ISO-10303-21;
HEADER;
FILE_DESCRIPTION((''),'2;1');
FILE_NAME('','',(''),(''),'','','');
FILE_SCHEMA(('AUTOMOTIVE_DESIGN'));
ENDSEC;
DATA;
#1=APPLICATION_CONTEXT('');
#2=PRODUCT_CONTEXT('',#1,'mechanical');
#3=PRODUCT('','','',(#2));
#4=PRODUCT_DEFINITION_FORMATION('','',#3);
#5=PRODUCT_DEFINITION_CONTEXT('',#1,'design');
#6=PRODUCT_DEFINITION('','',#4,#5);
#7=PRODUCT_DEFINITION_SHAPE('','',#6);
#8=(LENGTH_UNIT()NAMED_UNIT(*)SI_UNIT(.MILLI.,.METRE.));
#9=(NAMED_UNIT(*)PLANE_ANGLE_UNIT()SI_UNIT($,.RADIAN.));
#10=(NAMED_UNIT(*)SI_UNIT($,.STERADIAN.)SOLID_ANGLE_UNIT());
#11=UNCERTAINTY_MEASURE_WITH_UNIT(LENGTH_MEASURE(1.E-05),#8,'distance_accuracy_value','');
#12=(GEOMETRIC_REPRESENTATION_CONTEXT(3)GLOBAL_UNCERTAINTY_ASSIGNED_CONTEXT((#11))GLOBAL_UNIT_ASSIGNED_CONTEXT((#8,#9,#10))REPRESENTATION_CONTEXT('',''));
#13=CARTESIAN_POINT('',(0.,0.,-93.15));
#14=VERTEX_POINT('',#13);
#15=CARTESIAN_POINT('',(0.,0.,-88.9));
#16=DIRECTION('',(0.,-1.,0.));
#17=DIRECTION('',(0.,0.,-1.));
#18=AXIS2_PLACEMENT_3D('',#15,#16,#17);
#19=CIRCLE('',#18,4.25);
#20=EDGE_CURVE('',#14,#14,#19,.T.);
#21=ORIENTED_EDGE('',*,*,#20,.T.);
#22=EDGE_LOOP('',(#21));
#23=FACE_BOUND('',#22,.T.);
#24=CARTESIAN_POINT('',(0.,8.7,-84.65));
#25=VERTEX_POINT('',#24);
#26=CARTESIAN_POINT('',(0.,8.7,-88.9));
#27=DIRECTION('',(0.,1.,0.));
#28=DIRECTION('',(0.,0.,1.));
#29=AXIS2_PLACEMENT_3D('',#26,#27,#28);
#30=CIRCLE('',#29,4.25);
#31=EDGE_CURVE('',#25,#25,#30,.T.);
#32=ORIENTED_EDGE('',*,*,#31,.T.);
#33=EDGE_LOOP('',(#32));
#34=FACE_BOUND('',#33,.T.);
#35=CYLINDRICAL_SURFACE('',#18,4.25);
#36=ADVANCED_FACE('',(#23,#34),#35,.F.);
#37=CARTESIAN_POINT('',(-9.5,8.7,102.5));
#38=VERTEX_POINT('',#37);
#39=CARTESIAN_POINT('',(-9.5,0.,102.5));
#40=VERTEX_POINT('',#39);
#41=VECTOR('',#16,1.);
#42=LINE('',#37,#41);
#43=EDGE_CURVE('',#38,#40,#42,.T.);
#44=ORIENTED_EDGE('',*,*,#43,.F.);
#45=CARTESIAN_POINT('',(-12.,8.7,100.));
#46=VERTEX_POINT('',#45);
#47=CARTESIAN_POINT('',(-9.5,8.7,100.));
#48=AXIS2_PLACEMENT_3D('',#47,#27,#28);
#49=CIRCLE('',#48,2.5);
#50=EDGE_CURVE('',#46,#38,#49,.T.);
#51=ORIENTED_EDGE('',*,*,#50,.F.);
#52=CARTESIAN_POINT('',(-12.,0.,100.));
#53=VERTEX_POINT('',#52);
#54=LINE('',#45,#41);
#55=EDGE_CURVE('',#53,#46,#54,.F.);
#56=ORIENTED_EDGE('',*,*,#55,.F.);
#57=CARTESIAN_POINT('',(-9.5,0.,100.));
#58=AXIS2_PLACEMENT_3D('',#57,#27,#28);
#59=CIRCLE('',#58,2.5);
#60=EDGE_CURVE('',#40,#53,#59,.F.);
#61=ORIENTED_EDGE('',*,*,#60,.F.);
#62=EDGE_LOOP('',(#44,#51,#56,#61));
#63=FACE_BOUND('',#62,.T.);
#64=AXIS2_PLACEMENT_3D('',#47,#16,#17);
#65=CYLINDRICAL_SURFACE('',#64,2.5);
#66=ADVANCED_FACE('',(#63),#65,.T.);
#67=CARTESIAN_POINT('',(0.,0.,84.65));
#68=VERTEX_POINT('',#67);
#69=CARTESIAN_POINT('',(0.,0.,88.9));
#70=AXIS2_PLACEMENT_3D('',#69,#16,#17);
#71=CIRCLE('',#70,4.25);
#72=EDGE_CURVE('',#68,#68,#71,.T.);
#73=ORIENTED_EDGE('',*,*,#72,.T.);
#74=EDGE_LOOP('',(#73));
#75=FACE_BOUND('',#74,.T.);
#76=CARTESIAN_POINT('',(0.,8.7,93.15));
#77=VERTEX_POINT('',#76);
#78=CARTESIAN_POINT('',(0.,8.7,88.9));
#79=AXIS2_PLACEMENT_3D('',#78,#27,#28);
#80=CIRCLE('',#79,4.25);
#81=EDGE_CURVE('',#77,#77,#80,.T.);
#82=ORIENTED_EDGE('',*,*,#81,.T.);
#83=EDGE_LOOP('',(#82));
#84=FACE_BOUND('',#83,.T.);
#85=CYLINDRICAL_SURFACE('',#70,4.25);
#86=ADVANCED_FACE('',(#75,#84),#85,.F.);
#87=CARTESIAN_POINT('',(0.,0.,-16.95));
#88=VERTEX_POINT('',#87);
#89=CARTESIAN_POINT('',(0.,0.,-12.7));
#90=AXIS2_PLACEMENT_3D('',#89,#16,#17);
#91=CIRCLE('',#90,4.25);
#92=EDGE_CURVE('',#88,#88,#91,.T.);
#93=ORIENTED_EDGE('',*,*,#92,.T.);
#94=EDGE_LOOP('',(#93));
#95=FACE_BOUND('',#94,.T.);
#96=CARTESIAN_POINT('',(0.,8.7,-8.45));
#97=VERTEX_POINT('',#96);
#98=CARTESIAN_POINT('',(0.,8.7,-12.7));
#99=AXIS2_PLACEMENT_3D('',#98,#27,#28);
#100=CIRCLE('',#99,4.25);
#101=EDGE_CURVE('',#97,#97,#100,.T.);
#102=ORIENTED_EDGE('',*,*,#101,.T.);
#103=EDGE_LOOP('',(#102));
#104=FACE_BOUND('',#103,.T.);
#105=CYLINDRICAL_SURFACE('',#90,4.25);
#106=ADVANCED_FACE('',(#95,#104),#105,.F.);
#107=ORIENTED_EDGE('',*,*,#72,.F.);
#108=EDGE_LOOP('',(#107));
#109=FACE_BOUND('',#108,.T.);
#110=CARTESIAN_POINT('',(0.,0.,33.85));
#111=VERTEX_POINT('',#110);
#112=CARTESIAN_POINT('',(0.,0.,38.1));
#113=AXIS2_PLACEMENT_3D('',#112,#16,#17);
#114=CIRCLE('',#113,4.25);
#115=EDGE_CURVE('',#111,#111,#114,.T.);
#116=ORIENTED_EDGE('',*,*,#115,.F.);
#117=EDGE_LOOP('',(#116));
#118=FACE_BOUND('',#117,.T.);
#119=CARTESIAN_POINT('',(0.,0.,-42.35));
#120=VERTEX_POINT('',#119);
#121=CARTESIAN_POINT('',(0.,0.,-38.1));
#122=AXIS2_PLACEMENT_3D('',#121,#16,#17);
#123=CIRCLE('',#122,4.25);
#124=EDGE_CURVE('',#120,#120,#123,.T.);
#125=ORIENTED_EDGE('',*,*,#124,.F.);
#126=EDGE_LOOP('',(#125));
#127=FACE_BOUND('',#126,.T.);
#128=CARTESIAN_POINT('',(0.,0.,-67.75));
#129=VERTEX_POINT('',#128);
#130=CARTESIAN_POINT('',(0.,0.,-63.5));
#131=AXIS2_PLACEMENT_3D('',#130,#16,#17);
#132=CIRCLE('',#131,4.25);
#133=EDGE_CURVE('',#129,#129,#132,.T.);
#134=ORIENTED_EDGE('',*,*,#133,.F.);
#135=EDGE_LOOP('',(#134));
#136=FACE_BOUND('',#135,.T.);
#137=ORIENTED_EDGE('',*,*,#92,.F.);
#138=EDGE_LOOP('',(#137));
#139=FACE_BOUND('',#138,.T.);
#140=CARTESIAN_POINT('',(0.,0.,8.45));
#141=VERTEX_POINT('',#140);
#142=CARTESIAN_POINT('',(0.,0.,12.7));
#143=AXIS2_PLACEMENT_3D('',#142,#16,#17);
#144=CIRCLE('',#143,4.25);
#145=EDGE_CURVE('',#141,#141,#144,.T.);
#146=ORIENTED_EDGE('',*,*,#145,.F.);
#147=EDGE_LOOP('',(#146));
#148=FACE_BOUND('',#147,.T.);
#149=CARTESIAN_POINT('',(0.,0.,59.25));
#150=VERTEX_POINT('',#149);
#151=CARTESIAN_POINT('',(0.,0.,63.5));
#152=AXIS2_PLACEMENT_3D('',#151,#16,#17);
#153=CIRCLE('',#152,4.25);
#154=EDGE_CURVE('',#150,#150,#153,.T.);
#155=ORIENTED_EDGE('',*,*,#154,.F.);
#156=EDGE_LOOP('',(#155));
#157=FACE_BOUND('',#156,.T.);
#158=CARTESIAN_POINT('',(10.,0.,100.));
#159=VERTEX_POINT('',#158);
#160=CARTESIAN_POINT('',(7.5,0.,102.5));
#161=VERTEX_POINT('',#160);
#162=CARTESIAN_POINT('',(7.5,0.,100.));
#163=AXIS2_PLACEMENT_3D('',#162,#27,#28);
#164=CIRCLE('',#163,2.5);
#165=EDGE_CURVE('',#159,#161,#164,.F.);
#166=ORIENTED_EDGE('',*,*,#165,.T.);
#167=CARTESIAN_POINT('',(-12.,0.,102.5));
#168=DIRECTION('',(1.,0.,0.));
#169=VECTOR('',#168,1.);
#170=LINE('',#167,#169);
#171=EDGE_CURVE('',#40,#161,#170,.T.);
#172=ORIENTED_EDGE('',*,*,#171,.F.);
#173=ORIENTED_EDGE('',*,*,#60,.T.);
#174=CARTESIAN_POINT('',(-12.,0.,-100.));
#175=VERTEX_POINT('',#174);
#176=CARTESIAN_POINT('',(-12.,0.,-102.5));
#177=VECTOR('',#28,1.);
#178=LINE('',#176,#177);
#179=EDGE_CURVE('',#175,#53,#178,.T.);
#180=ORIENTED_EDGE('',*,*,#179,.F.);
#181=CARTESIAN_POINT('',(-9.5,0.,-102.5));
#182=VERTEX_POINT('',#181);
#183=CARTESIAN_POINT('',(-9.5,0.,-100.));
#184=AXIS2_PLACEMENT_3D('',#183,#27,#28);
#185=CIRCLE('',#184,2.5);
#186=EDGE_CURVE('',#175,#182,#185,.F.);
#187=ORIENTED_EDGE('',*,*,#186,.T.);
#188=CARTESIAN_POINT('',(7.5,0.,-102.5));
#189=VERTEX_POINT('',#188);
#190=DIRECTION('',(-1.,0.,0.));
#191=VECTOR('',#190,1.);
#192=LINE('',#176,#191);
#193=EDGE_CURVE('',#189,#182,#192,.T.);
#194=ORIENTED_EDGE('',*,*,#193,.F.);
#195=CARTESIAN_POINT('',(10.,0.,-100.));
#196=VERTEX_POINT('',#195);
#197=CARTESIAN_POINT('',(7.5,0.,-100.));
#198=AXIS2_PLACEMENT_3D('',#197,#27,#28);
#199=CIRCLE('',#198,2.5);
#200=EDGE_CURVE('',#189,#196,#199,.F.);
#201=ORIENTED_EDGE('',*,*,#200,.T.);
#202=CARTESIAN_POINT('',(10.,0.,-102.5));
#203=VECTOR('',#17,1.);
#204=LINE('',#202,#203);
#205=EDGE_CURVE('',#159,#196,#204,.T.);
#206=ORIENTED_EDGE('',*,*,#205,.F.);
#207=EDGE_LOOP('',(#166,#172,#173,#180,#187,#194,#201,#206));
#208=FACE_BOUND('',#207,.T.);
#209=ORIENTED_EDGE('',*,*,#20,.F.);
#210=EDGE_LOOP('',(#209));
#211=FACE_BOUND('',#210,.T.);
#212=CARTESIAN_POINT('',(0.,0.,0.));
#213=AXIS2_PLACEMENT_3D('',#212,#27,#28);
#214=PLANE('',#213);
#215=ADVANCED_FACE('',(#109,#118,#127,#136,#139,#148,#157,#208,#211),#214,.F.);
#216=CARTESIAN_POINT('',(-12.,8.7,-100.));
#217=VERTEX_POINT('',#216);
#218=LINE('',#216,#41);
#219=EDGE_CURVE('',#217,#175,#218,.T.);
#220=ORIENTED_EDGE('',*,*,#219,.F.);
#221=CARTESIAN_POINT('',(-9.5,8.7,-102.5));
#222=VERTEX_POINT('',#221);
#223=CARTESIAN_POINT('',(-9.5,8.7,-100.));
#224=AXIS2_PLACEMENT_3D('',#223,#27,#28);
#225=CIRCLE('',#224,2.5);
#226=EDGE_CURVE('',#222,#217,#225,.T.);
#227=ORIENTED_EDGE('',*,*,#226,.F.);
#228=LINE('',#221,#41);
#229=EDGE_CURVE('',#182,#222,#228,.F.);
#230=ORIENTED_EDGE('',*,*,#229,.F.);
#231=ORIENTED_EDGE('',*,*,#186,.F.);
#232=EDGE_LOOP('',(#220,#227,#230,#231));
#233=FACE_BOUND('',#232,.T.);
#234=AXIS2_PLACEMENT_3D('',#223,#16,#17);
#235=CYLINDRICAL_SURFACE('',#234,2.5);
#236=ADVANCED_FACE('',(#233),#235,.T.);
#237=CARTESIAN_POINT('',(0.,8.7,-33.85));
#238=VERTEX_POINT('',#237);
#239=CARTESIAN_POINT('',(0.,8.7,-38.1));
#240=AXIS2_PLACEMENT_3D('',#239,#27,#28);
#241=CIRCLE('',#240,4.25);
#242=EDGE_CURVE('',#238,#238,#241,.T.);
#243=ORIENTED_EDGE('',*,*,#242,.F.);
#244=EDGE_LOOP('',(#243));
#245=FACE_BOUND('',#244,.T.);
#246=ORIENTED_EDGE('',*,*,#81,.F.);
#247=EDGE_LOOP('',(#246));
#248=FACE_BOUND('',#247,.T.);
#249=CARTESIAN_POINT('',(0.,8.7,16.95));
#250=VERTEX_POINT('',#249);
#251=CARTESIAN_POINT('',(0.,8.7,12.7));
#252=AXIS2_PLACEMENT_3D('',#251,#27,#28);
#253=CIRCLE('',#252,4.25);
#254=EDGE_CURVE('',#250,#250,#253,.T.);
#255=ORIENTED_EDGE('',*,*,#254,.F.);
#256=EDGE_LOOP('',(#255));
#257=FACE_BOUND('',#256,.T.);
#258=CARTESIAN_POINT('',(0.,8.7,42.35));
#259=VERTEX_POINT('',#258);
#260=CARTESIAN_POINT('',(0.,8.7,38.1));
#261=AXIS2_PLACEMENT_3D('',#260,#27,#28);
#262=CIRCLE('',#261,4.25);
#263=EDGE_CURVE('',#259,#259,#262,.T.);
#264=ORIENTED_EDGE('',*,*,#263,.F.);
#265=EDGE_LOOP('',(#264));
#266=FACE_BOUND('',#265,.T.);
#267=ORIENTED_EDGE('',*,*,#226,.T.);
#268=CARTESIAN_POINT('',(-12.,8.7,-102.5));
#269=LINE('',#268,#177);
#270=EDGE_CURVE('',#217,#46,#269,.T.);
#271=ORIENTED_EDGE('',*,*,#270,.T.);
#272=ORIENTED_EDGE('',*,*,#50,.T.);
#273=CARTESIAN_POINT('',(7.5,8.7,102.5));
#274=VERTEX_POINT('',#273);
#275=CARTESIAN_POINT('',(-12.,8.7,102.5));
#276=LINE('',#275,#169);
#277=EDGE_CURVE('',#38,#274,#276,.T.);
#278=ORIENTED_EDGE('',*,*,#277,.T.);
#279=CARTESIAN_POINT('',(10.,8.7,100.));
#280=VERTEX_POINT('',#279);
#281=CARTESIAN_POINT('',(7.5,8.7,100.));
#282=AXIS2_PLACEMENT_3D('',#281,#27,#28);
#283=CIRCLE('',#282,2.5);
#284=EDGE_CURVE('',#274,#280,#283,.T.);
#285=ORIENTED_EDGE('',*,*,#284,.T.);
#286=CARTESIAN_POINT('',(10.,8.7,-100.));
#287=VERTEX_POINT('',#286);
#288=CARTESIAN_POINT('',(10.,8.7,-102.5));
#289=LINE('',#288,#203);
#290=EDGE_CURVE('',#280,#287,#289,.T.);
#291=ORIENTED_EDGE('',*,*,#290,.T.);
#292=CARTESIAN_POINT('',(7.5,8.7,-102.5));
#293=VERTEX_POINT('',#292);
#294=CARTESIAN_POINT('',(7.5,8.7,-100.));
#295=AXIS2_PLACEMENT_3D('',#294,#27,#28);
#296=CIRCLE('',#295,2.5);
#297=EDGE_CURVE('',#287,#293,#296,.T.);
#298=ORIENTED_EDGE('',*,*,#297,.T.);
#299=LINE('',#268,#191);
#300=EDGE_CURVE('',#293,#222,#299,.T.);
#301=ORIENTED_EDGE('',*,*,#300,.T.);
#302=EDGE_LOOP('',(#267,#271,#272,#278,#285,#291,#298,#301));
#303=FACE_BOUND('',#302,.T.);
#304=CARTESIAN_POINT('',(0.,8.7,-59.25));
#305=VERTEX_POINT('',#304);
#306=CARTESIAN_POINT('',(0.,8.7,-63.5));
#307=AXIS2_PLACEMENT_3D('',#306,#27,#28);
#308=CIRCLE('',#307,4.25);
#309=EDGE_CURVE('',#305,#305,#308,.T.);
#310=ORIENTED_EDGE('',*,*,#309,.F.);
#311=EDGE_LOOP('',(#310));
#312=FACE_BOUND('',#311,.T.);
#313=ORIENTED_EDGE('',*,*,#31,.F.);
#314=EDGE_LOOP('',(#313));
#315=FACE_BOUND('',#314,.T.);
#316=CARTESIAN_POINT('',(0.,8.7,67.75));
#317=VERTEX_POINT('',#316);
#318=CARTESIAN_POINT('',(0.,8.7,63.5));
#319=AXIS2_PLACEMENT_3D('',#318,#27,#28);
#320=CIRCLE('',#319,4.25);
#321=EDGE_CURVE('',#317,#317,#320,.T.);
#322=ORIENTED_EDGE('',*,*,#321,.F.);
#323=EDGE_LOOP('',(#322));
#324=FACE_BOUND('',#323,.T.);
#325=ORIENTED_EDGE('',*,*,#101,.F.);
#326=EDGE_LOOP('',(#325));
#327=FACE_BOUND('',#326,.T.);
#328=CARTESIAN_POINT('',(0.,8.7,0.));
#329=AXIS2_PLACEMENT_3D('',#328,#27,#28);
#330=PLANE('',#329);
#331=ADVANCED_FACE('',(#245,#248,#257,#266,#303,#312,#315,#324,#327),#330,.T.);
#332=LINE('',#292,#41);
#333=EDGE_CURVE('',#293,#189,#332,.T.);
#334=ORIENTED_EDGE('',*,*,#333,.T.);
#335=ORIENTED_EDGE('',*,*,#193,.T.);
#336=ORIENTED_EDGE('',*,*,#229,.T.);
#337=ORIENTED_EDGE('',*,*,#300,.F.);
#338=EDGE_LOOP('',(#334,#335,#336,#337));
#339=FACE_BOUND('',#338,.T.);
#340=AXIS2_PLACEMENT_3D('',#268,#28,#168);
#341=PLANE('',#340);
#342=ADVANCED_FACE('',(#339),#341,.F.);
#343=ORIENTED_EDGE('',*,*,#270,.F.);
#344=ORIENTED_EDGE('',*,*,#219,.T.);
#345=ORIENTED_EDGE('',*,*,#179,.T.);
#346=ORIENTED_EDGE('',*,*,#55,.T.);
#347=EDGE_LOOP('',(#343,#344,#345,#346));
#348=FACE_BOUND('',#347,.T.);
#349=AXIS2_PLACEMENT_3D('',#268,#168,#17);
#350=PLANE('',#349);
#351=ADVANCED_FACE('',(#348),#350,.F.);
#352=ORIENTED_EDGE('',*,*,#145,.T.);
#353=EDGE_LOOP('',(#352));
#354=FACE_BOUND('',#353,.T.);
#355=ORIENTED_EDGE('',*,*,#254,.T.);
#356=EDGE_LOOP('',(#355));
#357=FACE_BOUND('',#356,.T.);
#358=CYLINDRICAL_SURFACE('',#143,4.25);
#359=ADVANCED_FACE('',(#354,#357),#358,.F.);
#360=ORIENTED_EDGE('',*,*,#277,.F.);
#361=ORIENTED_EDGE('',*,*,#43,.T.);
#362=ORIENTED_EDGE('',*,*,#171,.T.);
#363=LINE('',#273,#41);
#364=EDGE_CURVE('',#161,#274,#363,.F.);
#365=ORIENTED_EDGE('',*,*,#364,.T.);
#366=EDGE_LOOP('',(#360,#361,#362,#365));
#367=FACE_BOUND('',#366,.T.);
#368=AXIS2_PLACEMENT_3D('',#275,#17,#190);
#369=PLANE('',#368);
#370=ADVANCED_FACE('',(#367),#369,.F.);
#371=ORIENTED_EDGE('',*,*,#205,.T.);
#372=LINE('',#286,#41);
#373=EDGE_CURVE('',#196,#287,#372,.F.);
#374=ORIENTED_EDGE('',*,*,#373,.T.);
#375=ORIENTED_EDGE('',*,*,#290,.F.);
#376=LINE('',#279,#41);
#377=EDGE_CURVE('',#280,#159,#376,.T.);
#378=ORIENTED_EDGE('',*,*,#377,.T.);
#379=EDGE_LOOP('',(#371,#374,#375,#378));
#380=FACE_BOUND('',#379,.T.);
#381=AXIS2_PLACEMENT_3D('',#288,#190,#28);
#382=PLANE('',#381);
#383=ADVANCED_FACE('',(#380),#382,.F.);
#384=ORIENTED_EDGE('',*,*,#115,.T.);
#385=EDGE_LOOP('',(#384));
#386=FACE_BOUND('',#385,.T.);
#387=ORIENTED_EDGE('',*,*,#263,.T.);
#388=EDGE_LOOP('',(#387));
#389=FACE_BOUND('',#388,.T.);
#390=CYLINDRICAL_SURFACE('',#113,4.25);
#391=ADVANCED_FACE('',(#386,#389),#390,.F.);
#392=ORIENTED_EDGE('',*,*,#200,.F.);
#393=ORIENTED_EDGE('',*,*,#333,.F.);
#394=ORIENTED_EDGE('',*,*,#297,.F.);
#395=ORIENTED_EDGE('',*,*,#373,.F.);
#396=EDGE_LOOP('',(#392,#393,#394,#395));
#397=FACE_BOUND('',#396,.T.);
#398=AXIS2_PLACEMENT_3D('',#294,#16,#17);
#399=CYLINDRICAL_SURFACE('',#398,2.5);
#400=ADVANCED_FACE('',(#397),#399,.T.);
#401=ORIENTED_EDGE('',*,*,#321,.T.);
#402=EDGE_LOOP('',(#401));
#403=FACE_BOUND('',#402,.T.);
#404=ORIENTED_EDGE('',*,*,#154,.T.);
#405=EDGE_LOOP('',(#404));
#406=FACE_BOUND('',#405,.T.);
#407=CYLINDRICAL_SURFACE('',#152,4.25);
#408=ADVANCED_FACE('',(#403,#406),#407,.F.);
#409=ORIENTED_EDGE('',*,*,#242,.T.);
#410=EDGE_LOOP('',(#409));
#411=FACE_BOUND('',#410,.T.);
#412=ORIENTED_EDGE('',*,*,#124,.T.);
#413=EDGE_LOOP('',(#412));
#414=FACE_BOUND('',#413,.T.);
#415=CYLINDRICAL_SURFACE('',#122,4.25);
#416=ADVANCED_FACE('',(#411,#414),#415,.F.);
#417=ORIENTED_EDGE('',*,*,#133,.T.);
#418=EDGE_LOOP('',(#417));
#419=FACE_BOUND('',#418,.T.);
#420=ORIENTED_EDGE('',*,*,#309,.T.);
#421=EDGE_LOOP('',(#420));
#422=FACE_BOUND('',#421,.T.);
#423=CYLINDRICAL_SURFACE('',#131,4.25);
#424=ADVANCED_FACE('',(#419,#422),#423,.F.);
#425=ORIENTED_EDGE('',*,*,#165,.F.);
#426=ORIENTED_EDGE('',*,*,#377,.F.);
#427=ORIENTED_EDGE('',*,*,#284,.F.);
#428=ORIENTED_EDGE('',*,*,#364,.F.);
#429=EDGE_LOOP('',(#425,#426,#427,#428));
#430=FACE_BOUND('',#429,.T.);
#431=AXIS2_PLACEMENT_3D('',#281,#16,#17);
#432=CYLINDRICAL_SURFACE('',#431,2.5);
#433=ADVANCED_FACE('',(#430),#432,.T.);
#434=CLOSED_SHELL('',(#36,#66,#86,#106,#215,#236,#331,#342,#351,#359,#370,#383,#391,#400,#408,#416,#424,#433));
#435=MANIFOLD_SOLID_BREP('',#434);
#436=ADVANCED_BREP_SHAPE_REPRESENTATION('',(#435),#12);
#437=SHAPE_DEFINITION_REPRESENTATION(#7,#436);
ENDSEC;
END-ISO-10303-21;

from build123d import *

# Parameters (mm, degrees)
SKETCH1_W            = 22
SKETCH1_H            = 205
BOSS_EXTRUDE1_DEPTH  = 8.7
M8_CLEARANCE_HOLE1_D = 8.5
LPATTERN1_COUNT      = 8
LPATTERN1_PITCH      = 25.4
FILLET1_R            = 2.5


with BuildPart() as part:
    # Sketch1 → Boss-Extrude1 (new body)
    with BuildSketch(Plane(origin=(0, 0, 0), x_dir=(1, 0, 0), z_dir=(0, 1, 0))):
        with Locations((-1, 0)):
            Rectangle(SKETCH1_W, SKETCH1_H)
    extrude(amount=BOSS_EXTRUDE1_DEPTH)

    # M8 Clearance Hole1 (through all)
    with Locations(Plane.XZ):
        with Locations((0, 88.9)):
            m8_clearance_hole1 = Hole(M8_CLEARANCE_HOLE1_D / 2)

    # LPattern1: M8 Clearance Hole1 ×8
    with Locations(*[(0, 0, -i * LPATTERN1_PITCH) for i in range(1, LPATTERN1_COUNT)]):
        add(m8_clearance_hole1, mode=Mode.SUBTRACT)

    # Fillet1
    fillet1_edges = [part.edges().sort_by_distance(p)[0] for p in [
        (10, 4.35, 102.5),
        (-12, 4.35, 102.5),
        (-12, 4.35, -102.5),
        (10, 4.35, -102.5),
    ]]
    fillet(fillet1_edges, radius=FILLET1_R)


solid = part.part
